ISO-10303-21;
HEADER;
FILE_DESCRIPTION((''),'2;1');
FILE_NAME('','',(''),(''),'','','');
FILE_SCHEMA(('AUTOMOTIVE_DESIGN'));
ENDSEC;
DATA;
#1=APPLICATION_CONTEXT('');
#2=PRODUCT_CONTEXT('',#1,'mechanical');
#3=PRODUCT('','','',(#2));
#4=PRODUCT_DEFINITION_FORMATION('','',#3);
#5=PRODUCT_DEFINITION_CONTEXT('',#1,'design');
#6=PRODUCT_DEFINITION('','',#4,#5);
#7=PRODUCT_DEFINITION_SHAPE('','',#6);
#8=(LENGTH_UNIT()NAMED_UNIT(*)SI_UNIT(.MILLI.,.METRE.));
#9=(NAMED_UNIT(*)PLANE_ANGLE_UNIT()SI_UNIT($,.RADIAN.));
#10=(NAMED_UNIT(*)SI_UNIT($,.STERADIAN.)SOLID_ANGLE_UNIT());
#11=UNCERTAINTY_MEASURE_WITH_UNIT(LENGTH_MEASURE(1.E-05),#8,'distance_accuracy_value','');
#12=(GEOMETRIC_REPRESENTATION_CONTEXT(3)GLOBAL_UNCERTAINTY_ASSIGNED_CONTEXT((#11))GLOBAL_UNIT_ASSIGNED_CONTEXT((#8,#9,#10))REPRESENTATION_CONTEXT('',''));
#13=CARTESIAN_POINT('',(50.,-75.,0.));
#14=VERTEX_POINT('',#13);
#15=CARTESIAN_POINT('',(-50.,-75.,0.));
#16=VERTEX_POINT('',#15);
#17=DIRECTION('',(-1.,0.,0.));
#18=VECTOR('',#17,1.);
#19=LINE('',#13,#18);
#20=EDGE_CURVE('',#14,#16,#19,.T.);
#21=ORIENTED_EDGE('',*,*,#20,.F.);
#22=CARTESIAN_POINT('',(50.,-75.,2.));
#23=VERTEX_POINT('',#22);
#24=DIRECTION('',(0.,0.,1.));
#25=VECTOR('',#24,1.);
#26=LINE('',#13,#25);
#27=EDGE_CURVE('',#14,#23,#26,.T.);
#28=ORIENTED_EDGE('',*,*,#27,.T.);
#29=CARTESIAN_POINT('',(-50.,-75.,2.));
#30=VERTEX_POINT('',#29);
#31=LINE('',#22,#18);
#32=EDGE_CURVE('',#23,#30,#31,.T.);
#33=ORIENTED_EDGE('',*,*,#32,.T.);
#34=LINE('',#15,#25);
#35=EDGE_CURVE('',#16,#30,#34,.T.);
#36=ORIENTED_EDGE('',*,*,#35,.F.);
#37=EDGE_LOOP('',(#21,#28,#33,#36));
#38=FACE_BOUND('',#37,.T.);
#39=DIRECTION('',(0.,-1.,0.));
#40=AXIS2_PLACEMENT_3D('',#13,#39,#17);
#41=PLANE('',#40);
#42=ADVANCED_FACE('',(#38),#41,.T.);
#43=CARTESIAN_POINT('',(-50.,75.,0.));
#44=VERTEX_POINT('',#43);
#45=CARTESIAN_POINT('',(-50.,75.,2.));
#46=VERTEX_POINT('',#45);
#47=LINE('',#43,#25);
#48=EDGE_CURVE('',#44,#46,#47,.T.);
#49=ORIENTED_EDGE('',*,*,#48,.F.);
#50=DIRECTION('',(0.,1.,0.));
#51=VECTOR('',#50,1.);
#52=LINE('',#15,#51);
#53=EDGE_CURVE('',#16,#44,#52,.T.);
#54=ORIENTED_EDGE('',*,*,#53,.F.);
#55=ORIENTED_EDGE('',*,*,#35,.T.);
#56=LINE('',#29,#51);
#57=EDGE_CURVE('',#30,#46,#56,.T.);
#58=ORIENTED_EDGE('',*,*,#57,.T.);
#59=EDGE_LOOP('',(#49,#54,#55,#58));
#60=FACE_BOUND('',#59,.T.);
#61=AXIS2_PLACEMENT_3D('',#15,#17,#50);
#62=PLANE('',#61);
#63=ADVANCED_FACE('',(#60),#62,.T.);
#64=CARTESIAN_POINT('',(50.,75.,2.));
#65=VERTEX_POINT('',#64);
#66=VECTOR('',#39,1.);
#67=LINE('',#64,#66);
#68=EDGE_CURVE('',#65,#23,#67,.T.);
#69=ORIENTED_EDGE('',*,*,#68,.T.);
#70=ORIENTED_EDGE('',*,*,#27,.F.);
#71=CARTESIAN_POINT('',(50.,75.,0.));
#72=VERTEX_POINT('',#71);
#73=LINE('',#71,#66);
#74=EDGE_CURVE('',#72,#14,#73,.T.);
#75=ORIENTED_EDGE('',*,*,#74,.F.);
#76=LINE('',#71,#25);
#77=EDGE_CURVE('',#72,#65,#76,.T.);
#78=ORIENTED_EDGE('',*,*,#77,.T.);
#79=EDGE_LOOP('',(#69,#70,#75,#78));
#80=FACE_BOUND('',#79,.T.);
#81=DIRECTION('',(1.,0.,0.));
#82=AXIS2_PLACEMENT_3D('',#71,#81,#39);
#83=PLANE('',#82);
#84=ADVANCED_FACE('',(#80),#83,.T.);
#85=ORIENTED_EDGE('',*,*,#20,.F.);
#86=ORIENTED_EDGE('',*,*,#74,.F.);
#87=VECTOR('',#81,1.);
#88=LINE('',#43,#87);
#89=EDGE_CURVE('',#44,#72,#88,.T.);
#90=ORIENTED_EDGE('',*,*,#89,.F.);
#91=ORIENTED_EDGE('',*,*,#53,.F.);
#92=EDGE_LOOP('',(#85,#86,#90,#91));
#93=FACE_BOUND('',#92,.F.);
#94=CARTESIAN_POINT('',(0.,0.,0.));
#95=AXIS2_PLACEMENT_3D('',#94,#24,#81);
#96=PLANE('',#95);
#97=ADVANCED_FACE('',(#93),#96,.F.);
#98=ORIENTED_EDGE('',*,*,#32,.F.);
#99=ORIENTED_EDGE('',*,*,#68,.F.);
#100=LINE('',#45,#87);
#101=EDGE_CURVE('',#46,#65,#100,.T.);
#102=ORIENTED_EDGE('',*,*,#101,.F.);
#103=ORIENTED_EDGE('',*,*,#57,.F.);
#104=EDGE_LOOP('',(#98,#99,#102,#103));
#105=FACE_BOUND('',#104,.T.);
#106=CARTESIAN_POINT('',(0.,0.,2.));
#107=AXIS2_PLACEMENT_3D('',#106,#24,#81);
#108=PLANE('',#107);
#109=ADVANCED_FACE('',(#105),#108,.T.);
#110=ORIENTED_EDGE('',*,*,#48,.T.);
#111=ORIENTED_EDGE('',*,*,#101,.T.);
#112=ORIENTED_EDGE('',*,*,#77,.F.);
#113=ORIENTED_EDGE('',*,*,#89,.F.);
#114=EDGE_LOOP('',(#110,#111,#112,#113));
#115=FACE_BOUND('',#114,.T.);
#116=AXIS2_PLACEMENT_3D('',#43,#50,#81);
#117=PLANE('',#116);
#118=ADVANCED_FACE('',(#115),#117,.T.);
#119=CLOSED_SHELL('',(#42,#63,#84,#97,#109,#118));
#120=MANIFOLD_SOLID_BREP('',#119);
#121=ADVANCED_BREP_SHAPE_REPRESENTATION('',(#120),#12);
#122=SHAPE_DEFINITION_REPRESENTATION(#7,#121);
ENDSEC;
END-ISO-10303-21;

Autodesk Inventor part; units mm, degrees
ref_plane "YZ Plane" through (0, 0, 0) normal (1, 0, 0) x (0, 1, 0)
ref_plane "XZ Plane" through (0, 0, 0) normal (0, 1, 0) x (-1, 0, 0)
ref_plane "XY Plane" through (0, 0, 0) normal (0, 0, 1) x (1, 0, 0)
sketch "Skizze1" plane through (0, 0, 0) normal (0, 0, 1) x (1, 0, 0)
  line L0 (50, -75) -> (-50, -75)
  line L1 (-50, -75) -> (-50, 75)
  line L2 (-50, 75) -> (50, 75)
  line L3 (50, 75) -> (50, -75)
  line L4 (50, -75) -> (-50, 75) construction
  line L5 (-50, -75) -> (50, 75) construction
  point P0 (0, 0)
  dimension "d0" = 100
  dimension "d1" = 150
extrude "Extrusion1" add sketch "Skizze1" along normal blind 2
properties part number "TurbineWindow" material "Glas"
